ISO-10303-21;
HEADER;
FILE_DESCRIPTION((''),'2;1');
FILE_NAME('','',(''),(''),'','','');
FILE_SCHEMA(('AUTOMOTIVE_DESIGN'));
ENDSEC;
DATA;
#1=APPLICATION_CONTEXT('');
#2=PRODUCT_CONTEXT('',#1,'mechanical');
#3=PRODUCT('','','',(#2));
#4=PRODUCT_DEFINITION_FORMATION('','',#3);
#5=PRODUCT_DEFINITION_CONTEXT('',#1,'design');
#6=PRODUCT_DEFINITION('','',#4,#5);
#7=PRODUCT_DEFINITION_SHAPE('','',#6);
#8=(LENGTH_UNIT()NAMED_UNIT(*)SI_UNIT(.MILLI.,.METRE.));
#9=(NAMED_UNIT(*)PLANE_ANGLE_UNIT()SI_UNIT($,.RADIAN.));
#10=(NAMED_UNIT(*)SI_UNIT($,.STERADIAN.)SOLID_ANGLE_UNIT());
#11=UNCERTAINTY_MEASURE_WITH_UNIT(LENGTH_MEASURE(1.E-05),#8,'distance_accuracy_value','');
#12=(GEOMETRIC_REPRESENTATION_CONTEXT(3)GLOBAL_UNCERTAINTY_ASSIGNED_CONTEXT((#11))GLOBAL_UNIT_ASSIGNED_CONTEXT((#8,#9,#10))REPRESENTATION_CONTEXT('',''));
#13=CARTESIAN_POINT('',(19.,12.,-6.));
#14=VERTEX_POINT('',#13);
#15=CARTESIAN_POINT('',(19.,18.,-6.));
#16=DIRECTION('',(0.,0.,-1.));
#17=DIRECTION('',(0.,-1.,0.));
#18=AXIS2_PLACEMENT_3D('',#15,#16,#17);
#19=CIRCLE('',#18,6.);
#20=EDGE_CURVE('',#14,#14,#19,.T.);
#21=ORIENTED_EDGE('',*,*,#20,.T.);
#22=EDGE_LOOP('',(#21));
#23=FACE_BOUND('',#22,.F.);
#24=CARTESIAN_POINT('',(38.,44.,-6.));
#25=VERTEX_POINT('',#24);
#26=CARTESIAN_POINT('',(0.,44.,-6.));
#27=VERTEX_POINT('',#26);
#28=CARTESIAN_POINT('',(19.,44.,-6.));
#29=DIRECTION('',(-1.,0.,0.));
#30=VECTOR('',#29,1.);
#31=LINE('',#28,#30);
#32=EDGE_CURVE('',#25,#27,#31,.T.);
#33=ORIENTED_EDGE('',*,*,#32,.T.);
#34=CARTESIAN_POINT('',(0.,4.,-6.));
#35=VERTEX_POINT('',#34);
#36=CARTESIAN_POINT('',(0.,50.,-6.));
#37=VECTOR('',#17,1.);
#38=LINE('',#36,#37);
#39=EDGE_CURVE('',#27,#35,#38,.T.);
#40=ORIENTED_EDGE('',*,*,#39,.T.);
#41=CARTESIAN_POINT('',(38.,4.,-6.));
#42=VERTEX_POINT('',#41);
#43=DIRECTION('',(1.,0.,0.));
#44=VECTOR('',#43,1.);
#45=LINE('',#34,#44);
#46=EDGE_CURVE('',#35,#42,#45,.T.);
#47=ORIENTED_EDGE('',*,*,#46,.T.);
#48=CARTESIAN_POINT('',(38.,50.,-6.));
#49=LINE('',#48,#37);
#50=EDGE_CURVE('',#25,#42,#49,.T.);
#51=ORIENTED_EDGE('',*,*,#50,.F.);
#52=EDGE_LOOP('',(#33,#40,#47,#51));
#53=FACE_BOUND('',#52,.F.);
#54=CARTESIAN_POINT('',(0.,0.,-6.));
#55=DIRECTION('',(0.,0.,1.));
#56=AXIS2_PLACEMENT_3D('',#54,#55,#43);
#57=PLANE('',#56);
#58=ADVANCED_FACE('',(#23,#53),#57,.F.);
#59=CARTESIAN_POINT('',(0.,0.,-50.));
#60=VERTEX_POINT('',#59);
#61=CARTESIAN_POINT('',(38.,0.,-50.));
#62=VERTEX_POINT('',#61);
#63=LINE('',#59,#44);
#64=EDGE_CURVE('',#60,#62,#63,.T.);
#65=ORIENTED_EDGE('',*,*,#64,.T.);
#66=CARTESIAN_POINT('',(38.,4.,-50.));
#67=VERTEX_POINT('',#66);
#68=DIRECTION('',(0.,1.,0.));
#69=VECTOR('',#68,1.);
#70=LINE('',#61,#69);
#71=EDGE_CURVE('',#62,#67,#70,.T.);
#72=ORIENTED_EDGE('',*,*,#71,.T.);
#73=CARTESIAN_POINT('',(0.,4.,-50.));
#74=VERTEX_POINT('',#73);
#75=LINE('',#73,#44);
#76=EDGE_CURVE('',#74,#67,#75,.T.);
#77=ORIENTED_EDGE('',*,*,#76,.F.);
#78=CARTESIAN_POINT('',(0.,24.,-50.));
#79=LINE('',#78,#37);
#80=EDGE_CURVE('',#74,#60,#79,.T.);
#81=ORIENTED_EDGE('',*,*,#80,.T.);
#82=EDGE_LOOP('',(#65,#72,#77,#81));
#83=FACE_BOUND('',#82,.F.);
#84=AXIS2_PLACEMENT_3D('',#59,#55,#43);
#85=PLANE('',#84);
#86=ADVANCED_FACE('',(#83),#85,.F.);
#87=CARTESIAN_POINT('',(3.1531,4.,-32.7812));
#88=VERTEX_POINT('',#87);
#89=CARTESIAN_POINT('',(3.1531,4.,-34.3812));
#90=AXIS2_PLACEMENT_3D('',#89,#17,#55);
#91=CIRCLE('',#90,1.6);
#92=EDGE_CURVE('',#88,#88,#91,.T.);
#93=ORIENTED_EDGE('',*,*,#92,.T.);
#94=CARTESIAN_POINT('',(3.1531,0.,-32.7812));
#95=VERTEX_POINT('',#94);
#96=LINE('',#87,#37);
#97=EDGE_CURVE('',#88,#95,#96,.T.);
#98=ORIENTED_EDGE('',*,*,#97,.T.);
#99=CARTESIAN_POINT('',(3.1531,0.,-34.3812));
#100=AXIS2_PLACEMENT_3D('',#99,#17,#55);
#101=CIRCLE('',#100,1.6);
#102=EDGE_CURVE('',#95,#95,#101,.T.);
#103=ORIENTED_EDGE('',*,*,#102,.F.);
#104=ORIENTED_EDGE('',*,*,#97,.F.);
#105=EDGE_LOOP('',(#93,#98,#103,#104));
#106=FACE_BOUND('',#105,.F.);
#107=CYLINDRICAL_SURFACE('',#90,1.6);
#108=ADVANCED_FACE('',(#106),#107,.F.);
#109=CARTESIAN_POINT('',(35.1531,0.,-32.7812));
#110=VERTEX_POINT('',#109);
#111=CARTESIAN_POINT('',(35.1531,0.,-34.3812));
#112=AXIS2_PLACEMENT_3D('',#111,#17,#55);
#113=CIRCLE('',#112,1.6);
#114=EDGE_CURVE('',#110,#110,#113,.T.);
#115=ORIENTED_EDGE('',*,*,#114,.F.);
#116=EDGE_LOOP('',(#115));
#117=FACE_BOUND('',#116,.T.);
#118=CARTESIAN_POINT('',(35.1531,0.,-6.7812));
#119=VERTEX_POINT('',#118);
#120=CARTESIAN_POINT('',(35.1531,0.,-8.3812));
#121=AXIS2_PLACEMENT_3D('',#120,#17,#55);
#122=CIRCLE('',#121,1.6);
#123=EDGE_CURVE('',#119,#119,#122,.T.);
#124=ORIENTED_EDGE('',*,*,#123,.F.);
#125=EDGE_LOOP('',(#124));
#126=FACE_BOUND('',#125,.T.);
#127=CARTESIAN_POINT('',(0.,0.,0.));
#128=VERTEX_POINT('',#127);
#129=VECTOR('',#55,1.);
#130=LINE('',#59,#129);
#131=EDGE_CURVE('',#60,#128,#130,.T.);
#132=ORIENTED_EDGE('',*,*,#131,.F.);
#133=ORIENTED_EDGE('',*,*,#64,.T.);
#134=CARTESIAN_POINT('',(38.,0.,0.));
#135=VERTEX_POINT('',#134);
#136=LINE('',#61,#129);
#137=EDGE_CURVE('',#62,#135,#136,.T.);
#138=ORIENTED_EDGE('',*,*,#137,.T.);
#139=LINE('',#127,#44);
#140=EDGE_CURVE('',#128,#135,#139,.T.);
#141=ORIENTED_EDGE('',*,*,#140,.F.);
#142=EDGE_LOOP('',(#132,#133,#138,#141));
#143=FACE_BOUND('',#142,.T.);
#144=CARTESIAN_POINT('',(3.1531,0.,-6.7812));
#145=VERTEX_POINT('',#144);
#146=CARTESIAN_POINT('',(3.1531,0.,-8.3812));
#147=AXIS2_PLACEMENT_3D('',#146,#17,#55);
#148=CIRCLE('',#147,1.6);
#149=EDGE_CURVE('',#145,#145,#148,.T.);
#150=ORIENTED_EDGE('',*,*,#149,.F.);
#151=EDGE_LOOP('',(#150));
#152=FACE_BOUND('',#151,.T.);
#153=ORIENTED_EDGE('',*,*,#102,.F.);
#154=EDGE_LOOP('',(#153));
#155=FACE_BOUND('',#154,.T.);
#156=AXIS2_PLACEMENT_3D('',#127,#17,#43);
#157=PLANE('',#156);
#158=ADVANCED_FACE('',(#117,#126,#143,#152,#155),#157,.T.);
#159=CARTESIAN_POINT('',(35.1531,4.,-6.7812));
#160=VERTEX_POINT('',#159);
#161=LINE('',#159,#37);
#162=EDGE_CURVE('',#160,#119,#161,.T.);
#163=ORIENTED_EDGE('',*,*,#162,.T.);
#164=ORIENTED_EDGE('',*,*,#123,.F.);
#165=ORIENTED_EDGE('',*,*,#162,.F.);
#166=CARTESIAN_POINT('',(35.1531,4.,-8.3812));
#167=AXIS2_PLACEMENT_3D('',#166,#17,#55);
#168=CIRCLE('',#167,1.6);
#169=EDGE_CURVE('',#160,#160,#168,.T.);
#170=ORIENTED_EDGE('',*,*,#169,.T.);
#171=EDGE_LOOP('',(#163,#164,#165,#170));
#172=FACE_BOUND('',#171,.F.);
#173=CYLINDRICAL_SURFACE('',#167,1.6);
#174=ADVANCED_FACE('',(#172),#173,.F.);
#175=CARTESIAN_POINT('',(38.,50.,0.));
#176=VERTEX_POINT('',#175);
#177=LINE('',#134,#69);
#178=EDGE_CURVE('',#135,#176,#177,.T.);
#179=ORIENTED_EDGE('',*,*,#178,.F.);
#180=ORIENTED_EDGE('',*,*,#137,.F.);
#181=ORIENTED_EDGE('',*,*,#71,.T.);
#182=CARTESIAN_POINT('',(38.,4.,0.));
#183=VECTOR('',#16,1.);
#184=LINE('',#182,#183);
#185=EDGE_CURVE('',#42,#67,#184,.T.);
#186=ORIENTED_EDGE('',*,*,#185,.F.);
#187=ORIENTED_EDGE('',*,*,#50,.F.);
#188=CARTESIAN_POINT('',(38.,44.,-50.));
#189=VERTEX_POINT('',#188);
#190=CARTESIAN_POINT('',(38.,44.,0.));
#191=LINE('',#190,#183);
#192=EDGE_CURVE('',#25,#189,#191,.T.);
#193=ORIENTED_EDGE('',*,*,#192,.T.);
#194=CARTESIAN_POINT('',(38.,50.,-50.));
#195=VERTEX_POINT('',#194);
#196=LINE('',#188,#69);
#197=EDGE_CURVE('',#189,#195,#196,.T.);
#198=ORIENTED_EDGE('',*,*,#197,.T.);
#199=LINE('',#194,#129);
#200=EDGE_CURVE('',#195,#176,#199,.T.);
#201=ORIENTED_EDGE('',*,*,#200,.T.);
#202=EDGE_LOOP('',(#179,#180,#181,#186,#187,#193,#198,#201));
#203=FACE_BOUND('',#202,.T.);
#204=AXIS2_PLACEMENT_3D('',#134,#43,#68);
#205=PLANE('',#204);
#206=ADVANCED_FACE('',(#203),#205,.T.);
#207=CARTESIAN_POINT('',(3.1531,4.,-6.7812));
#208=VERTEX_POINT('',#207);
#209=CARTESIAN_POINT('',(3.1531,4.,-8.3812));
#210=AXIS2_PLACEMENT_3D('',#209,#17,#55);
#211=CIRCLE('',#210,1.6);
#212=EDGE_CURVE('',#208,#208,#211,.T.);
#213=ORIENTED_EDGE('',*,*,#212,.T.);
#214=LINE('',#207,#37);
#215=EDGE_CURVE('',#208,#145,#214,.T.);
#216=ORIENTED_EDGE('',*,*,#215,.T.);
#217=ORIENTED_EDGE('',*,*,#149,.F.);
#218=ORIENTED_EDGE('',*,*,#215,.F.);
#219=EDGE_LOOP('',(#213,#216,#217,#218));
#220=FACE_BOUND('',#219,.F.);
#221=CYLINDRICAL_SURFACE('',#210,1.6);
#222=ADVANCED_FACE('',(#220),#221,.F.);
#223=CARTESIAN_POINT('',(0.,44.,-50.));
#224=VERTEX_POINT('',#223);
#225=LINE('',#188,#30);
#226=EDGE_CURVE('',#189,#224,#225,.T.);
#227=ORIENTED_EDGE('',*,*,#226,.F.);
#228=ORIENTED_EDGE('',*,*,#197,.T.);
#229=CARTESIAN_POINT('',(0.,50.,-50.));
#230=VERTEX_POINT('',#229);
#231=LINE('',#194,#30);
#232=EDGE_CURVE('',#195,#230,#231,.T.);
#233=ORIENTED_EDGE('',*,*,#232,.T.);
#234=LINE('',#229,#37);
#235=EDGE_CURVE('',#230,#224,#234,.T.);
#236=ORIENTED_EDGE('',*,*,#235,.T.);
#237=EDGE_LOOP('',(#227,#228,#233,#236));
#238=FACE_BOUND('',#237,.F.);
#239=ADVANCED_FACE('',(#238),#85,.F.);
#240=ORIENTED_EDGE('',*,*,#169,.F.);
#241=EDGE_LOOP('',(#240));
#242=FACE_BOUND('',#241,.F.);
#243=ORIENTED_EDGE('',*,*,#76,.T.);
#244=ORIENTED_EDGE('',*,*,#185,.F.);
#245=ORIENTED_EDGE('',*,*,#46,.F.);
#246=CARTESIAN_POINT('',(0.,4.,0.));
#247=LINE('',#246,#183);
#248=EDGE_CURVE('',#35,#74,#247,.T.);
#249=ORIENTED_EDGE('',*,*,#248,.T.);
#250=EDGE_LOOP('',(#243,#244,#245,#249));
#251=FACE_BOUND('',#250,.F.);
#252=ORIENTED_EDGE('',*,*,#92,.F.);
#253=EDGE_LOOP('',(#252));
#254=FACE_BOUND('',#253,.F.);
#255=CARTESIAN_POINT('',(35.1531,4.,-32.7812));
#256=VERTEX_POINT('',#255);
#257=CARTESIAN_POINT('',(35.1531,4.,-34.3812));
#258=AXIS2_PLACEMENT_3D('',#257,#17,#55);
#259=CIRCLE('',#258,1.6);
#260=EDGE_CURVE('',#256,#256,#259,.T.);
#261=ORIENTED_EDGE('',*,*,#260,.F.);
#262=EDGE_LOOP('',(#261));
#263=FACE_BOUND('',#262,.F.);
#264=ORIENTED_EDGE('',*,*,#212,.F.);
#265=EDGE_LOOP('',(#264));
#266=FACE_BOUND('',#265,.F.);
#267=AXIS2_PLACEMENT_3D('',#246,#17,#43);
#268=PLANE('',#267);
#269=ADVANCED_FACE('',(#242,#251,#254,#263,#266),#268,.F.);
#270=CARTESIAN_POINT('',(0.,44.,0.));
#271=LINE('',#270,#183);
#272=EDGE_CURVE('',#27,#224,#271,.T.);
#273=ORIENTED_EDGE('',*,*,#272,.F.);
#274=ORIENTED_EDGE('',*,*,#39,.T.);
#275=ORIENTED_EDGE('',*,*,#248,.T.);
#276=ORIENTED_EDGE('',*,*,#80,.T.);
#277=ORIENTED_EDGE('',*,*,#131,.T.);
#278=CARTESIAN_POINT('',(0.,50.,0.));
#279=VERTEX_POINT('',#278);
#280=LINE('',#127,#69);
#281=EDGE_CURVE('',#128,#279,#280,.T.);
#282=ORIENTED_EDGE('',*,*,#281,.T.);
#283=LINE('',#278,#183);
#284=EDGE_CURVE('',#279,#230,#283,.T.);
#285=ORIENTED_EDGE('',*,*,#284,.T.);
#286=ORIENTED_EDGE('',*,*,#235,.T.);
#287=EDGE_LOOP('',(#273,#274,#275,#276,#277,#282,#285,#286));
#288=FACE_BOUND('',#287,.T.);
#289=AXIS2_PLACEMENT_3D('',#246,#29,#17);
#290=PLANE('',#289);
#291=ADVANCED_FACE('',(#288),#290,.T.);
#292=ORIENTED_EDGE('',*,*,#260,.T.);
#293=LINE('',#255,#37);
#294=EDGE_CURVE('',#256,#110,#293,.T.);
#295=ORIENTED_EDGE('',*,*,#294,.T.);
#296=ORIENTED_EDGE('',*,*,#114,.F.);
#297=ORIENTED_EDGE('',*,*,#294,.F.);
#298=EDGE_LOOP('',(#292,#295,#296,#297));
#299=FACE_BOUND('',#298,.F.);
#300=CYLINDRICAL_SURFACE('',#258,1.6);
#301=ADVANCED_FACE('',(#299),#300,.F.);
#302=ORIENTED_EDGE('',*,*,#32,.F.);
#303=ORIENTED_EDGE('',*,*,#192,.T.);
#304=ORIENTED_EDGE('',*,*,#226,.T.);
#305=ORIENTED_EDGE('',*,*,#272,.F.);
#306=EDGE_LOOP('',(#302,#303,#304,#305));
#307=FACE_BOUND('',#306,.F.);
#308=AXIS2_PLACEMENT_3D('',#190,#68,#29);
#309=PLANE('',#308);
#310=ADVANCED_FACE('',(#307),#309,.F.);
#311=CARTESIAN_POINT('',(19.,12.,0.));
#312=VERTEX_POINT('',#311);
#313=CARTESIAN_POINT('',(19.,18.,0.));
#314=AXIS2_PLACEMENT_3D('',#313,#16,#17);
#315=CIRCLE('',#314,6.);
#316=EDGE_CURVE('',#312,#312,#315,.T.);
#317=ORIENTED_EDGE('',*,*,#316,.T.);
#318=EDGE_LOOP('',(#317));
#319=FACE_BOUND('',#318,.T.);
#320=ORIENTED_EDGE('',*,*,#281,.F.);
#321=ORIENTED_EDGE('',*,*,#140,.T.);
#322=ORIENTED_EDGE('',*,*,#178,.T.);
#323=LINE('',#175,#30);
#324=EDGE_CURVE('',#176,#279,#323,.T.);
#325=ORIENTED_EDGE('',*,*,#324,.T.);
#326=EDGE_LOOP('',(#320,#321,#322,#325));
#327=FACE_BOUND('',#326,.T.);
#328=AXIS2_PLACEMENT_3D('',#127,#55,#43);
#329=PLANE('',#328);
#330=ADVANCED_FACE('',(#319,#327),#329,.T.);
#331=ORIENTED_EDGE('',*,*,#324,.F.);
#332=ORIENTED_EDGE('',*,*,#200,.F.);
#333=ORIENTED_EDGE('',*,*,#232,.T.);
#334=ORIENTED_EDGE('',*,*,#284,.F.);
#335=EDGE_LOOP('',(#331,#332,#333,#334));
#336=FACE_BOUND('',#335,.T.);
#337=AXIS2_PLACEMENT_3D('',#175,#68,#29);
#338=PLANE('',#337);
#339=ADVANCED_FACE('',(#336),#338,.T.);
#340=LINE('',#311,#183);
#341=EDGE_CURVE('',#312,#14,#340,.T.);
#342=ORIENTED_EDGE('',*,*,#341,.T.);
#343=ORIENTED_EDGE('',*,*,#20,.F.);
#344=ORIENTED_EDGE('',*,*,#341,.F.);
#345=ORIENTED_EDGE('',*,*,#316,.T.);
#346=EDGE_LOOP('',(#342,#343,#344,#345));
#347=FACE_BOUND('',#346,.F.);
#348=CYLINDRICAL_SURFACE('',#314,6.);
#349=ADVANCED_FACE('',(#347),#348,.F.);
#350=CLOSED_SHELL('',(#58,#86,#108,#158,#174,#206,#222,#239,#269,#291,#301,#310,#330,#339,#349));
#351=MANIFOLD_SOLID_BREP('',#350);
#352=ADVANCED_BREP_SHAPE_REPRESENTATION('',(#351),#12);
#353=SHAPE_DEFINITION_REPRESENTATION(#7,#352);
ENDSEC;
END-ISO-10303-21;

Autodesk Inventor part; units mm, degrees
ref_plane "YZ Plane" through (0, 0, 0) normal (1, 0, 0) x (0, 1, 0)
ref_plane "XZ Plane" through (0, 0, 0) normal (0, 1, 0) x (-1, 0, 0)
ref_plane "XY Plane" through (0, 0, 0) normal (0, 0, 1) x (1, 0, 0)
sketch "スケッチ1" plane through (0, 0, 0) normal (0, 0, 1) x (1, 0, 0)
  line L0 (0, 0) -> (38, 0)
  line L1 (38, 0) -> (38, 24)
  line L2 (38, 24) -> (0, 24)
  line L3 (0, 24) -> (0, 0)
  line L4 (0, 4) -> (38, 4)
  line L5 (13, 33) -> (25, 33)
  line L6 (0, 24) -> (38, 24)
  line L7 (38, 24) -> (38, 44)
  line L8 (38, 44) -> (0, 44)
  line L9 (0, 44) -> (0, 24)
  line L10 (0, 44) -> (38, 44)
  line L11 (38, 44) -> (38, 50)
  line L12 (38, 50) -> (0, 50)
  line L13 (0, 50) -> (0, 44)
  circle A0 centre (19, 33) radius 6
  point P0 (38, 24)
  point P1 (19, 4)
  point P2 (15.6834, 26)
  point P3 (22.3166, 26)
  point P4 (13, 33)
  dimension "d70" = 12
  dimension "d0" = 38
  dimension "d1" = 24
  dimension "d2" = 4
  dimension "d49" = 6
  dimension "d50" = 38
  dimension "d51" = 20
  dimension "d52" = 38
  dimension "d71" = 29
  dimension "d72" = 19
extrude "押し出し1" add sketch "スケッチ1" against normal blind 6 contours L3 L4 L1 L0 | L3 L2 L1 L4 | L9 L8 L7 L2 | L13 L12 L11 L8 | A0 L5 | L5 A0
extrude "押し出し2" add sketch "スケッチ1" against normal blind 50 contours L3 L4 L1 L0 | L13 L12 L11 L8
sketch "スケッチ2" plane through (0, 0, 0) normal (0, 0, 1) x (1, 0, 0)
  line L0 (0, 50) -> (0, 0) projected
  line L1 (38, 50) -> (0, 50) projected
  line L2 (38, 0) -> (38, 50) projected
  line L3 (38, 50) -> (0, 50) projected
  line L4 (0, 50) -> (0, 0) projected
  line L5 (0, 0) -> (38, 0) projected
  point P0 (19, 18)
  point P1 (0, 26)
  point P2 (0, 25)
  point P3 (19, 50)
  point P4 (19, 0)
  point P5 (19, 50)
  dimension "d74" = 32
hole "穴1" at (19, 18, 0) direction (0, 0, -1) diameter 12 depth 8.1 tip angle 118
sketch "スケッチ4" plane through (0, 4, -6) normal (0, 1, 0) x (1, 0, 0)
  point P0 (0, -6)
  point P1 (3.1531, 2.3812)
  point P2 (35.1531, 2.3812)
  point P3 (35.1531, 28.3812)
  point P4 (3.1531, 28.3812)
  dimension "d47" = 32
  dimension "d48" = 26
hole "穴3" at (3.1531, 4, -8.3812) at (35.1531, 4, -8.3812) at (35.1531, 4, -34.3812) at (3.1531, 4, -34.3812) direction (0, -1, 0) diameter 3.2 depth 8.1 tip angle 118
equation "\"d51\" = d1 - d2"
properties part number "ギアボックス2"
